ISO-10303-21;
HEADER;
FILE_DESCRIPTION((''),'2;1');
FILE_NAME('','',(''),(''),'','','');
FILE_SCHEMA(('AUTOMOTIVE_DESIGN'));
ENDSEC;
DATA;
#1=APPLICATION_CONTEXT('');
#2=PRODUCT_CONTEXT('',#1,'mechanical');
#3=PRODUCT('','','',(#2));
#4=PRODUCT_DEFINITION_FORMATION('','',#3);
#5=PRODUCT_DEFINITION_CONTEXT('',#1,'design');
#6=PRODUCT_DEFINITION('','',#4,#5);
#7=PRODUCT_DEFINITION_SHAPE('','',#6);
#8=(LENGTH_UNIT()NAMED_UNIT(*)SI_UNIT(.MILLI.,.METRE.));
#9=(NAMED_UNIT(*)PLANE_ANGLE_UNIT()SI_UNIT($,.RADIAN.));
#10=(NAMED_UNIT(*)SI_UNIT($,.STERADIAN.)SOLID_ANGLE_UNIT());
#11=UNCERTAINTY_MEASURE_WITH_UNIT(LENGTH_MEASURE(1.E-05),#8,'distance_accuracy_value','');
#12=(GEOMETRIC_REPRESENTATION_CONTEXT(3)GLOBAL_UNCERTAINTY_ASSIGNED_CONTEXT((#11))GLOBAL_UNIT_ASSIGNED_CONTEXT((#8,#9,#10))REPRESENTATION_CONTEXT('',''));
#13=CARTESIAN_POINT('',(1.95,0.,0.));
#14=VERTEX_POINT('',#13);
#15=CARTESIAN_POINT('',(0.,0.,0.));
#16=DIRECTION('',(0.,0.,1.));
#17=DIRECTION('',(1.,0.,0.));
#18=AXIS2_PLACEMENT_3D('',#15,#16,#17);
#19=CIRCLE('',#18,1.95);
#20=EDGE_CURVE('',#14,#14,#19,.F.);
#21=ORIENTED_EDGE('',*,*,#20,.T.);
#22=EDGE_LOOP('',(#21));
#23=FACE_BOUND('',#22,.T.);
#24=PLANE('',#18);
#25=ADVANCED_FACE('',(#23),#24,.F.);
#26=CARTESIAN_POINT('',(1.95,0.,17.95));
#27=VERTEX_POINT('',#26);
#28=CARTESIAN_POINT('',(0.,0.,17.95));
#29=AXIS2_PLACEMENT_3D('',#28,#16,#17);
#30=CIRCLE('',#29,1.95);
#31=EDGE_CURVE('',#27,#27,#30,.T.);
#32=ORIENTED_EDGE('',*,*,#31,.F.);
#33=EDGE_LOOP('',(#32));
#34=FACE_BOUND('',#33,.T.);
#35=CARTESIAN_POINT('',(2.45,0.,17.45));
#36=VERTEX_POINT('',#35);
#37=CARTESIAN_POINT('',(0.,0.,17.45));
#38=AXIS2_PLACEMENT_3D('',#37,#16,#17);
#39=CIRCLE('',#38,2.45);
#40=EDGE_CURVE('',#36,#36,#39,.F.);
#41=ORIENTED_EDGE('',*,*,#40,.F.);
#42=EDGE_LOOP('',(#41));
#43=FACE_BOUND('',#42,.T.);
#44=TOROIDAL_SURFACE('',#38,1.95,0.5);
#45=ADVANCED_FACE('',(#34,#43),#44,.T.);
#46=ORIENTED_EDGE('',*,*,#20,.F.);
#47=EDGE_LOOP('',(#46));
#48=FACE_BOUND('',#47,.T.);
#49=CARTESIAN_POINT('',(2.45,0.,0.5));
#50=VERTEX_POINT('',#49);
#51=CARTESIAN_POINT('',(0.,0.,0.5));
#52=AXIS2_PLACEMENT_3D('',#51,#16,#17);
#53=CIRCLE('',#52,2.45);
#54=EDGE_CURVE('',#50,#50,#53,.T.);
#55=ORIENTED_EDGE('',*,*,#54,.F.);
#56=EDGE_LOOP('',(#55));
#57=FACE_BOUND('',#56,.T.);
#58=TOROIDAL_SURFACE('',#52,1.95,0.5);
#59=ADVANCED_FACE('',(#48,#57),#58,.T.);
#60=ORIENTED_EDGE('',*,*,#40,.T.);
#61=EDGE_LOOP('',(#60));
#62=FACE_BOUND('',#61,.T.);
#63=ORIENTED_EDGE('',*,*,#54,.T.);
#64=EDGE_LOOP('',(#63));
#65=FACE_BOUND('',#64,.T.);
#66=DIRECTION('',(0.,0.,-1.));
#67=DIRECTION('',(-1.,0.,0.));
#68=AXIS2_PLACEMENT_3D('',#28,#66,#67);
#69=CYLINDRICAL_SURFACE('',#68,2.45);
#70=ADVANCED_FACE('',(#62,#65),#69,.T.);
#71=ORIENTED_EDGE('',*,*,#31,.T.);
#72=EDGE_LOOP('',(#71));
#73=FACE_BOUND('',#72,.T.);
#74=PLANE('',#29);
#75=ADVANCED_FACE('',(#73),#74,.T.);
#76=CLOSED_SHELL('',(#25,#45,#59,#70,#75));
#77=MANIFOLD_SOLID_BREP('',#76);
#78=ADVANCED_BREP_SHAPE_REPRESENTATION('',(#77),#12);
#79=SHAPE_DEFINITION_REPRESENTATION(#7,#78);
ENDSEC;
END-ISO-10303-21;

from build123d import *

# Parameters (mm, degrees)
SKETCH_1_R      = 2.45
EXTRUDE_1_DEPTH = 17.95
FILLET_1_R      = 0.5


with BuildPart() as part:
    # 스케치1 → 보스-돌출1 (new body)
    with BuildSketch(Plane.XY):
        Circle(SKETCH_1_R)
    extrude(amount=EXTRUDE_1_DEPTH)

    # 필렛1
    fillet_1_edges = [part.edges().sort_by_distance(p)[0] for p in [
        (-2.45, 0, 0),
        (-2.45, 0, 17.95),
    ]]
    fillet(fillet_1_edges, radius=FILLET_1_R)


solid = part.part
